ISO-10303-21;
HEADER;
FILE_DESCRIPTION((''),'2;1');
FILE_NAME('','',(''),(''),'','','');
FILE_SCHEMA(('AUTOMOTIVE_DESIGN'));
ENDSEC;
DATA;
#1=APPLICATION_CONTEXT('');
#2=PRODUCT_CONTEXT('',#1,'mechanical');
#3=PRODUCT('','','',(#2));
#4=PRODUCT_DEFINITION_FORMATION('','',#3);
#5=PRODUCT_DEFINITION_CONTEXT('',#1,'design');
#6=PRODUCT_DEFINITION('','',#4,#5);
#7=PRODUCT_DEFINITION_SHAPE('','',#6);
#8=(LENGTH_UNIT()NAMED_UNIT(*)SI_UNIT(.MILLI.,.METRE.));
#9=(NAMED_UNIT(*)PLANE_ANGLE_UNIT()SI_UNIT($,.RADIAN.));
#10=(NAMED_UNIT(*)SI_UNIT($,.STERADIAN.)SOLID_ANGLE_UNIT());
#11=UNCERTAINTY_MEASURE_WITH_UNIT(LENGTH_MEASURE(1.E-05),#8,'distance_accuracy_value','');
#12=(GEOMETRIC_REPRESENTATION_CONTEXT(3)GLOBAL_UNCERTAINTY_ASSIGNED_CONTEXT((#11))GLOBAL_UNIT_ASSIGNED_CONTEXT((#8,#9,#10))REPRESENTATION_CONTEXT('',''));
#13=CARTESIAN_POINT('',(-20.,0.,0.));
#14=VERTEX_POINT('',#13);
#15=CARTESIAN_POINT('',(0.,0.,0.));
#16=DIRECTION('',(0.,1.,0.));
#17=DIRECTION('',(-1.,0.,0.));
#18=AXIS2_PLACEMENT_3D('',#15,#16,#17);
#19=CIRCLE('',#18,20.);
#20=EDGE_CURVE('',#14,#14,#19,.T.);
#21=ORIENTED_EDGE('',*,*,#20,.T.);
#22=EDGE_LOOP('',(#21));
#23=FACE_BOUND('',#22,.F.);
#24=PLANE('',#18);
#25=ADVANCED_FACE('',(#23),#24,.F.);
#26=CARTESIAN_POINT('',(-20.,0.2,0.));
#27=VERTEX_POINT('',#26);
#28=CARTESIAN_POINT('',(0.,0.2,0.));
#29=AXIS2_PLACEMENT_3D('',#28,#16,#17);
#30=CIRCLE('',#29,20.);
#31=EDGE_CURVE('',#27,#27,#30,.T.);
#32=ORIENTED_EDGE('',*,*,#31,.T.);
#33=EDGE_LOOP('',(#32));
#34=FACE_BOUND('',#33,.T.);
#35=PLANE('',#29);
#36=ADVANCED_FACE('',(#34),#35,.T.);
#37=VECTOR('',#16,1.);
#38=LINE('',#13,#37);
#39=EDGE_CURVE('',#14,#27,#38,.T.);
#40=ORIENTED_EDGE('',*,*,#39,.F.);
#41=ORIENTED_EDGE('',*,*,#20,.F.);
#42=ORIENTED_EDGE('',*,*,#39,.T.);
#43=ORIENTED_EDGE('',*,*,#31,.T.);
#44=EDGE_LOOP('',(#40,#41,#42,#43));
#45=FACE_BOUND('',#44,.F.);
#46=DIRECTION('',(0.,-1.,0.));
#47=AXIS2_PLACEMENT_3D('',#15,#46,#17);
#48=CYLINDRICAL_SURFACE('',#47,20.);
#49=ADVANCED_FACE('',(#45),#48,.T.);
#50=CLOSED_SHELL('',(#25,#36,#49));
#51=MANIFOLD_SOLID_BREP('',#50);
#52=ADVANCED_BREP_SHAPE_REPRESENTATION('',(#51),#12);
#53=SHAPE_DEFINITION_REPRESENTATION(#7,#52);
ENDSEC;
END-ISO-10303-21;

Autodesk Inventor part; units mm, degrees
ref_plane "YZ Plane" through (0, 0, 0) normal (1, 0, 0) x (0, 1, 0)
ref_plane "XZ Plane" through (0, 0, 0) normal (0, 1, 0) x (-1, 0, 0)
ref_plane "XY Plane" through (0, 0, 0) normal (0, 0, 1) x (1, 0, 0)
sketch "Эскиз1" plane through (0, 0, 0) normal (0, 1, 0) x (-1, 0, 0)
  circle A0 centre (0, 0) radius 20
  dimension "d0" = 40
extrude "Выдавливание1" add sketch "Эскиз1" along normal blind 0.2
properties part number "40_Violet"
